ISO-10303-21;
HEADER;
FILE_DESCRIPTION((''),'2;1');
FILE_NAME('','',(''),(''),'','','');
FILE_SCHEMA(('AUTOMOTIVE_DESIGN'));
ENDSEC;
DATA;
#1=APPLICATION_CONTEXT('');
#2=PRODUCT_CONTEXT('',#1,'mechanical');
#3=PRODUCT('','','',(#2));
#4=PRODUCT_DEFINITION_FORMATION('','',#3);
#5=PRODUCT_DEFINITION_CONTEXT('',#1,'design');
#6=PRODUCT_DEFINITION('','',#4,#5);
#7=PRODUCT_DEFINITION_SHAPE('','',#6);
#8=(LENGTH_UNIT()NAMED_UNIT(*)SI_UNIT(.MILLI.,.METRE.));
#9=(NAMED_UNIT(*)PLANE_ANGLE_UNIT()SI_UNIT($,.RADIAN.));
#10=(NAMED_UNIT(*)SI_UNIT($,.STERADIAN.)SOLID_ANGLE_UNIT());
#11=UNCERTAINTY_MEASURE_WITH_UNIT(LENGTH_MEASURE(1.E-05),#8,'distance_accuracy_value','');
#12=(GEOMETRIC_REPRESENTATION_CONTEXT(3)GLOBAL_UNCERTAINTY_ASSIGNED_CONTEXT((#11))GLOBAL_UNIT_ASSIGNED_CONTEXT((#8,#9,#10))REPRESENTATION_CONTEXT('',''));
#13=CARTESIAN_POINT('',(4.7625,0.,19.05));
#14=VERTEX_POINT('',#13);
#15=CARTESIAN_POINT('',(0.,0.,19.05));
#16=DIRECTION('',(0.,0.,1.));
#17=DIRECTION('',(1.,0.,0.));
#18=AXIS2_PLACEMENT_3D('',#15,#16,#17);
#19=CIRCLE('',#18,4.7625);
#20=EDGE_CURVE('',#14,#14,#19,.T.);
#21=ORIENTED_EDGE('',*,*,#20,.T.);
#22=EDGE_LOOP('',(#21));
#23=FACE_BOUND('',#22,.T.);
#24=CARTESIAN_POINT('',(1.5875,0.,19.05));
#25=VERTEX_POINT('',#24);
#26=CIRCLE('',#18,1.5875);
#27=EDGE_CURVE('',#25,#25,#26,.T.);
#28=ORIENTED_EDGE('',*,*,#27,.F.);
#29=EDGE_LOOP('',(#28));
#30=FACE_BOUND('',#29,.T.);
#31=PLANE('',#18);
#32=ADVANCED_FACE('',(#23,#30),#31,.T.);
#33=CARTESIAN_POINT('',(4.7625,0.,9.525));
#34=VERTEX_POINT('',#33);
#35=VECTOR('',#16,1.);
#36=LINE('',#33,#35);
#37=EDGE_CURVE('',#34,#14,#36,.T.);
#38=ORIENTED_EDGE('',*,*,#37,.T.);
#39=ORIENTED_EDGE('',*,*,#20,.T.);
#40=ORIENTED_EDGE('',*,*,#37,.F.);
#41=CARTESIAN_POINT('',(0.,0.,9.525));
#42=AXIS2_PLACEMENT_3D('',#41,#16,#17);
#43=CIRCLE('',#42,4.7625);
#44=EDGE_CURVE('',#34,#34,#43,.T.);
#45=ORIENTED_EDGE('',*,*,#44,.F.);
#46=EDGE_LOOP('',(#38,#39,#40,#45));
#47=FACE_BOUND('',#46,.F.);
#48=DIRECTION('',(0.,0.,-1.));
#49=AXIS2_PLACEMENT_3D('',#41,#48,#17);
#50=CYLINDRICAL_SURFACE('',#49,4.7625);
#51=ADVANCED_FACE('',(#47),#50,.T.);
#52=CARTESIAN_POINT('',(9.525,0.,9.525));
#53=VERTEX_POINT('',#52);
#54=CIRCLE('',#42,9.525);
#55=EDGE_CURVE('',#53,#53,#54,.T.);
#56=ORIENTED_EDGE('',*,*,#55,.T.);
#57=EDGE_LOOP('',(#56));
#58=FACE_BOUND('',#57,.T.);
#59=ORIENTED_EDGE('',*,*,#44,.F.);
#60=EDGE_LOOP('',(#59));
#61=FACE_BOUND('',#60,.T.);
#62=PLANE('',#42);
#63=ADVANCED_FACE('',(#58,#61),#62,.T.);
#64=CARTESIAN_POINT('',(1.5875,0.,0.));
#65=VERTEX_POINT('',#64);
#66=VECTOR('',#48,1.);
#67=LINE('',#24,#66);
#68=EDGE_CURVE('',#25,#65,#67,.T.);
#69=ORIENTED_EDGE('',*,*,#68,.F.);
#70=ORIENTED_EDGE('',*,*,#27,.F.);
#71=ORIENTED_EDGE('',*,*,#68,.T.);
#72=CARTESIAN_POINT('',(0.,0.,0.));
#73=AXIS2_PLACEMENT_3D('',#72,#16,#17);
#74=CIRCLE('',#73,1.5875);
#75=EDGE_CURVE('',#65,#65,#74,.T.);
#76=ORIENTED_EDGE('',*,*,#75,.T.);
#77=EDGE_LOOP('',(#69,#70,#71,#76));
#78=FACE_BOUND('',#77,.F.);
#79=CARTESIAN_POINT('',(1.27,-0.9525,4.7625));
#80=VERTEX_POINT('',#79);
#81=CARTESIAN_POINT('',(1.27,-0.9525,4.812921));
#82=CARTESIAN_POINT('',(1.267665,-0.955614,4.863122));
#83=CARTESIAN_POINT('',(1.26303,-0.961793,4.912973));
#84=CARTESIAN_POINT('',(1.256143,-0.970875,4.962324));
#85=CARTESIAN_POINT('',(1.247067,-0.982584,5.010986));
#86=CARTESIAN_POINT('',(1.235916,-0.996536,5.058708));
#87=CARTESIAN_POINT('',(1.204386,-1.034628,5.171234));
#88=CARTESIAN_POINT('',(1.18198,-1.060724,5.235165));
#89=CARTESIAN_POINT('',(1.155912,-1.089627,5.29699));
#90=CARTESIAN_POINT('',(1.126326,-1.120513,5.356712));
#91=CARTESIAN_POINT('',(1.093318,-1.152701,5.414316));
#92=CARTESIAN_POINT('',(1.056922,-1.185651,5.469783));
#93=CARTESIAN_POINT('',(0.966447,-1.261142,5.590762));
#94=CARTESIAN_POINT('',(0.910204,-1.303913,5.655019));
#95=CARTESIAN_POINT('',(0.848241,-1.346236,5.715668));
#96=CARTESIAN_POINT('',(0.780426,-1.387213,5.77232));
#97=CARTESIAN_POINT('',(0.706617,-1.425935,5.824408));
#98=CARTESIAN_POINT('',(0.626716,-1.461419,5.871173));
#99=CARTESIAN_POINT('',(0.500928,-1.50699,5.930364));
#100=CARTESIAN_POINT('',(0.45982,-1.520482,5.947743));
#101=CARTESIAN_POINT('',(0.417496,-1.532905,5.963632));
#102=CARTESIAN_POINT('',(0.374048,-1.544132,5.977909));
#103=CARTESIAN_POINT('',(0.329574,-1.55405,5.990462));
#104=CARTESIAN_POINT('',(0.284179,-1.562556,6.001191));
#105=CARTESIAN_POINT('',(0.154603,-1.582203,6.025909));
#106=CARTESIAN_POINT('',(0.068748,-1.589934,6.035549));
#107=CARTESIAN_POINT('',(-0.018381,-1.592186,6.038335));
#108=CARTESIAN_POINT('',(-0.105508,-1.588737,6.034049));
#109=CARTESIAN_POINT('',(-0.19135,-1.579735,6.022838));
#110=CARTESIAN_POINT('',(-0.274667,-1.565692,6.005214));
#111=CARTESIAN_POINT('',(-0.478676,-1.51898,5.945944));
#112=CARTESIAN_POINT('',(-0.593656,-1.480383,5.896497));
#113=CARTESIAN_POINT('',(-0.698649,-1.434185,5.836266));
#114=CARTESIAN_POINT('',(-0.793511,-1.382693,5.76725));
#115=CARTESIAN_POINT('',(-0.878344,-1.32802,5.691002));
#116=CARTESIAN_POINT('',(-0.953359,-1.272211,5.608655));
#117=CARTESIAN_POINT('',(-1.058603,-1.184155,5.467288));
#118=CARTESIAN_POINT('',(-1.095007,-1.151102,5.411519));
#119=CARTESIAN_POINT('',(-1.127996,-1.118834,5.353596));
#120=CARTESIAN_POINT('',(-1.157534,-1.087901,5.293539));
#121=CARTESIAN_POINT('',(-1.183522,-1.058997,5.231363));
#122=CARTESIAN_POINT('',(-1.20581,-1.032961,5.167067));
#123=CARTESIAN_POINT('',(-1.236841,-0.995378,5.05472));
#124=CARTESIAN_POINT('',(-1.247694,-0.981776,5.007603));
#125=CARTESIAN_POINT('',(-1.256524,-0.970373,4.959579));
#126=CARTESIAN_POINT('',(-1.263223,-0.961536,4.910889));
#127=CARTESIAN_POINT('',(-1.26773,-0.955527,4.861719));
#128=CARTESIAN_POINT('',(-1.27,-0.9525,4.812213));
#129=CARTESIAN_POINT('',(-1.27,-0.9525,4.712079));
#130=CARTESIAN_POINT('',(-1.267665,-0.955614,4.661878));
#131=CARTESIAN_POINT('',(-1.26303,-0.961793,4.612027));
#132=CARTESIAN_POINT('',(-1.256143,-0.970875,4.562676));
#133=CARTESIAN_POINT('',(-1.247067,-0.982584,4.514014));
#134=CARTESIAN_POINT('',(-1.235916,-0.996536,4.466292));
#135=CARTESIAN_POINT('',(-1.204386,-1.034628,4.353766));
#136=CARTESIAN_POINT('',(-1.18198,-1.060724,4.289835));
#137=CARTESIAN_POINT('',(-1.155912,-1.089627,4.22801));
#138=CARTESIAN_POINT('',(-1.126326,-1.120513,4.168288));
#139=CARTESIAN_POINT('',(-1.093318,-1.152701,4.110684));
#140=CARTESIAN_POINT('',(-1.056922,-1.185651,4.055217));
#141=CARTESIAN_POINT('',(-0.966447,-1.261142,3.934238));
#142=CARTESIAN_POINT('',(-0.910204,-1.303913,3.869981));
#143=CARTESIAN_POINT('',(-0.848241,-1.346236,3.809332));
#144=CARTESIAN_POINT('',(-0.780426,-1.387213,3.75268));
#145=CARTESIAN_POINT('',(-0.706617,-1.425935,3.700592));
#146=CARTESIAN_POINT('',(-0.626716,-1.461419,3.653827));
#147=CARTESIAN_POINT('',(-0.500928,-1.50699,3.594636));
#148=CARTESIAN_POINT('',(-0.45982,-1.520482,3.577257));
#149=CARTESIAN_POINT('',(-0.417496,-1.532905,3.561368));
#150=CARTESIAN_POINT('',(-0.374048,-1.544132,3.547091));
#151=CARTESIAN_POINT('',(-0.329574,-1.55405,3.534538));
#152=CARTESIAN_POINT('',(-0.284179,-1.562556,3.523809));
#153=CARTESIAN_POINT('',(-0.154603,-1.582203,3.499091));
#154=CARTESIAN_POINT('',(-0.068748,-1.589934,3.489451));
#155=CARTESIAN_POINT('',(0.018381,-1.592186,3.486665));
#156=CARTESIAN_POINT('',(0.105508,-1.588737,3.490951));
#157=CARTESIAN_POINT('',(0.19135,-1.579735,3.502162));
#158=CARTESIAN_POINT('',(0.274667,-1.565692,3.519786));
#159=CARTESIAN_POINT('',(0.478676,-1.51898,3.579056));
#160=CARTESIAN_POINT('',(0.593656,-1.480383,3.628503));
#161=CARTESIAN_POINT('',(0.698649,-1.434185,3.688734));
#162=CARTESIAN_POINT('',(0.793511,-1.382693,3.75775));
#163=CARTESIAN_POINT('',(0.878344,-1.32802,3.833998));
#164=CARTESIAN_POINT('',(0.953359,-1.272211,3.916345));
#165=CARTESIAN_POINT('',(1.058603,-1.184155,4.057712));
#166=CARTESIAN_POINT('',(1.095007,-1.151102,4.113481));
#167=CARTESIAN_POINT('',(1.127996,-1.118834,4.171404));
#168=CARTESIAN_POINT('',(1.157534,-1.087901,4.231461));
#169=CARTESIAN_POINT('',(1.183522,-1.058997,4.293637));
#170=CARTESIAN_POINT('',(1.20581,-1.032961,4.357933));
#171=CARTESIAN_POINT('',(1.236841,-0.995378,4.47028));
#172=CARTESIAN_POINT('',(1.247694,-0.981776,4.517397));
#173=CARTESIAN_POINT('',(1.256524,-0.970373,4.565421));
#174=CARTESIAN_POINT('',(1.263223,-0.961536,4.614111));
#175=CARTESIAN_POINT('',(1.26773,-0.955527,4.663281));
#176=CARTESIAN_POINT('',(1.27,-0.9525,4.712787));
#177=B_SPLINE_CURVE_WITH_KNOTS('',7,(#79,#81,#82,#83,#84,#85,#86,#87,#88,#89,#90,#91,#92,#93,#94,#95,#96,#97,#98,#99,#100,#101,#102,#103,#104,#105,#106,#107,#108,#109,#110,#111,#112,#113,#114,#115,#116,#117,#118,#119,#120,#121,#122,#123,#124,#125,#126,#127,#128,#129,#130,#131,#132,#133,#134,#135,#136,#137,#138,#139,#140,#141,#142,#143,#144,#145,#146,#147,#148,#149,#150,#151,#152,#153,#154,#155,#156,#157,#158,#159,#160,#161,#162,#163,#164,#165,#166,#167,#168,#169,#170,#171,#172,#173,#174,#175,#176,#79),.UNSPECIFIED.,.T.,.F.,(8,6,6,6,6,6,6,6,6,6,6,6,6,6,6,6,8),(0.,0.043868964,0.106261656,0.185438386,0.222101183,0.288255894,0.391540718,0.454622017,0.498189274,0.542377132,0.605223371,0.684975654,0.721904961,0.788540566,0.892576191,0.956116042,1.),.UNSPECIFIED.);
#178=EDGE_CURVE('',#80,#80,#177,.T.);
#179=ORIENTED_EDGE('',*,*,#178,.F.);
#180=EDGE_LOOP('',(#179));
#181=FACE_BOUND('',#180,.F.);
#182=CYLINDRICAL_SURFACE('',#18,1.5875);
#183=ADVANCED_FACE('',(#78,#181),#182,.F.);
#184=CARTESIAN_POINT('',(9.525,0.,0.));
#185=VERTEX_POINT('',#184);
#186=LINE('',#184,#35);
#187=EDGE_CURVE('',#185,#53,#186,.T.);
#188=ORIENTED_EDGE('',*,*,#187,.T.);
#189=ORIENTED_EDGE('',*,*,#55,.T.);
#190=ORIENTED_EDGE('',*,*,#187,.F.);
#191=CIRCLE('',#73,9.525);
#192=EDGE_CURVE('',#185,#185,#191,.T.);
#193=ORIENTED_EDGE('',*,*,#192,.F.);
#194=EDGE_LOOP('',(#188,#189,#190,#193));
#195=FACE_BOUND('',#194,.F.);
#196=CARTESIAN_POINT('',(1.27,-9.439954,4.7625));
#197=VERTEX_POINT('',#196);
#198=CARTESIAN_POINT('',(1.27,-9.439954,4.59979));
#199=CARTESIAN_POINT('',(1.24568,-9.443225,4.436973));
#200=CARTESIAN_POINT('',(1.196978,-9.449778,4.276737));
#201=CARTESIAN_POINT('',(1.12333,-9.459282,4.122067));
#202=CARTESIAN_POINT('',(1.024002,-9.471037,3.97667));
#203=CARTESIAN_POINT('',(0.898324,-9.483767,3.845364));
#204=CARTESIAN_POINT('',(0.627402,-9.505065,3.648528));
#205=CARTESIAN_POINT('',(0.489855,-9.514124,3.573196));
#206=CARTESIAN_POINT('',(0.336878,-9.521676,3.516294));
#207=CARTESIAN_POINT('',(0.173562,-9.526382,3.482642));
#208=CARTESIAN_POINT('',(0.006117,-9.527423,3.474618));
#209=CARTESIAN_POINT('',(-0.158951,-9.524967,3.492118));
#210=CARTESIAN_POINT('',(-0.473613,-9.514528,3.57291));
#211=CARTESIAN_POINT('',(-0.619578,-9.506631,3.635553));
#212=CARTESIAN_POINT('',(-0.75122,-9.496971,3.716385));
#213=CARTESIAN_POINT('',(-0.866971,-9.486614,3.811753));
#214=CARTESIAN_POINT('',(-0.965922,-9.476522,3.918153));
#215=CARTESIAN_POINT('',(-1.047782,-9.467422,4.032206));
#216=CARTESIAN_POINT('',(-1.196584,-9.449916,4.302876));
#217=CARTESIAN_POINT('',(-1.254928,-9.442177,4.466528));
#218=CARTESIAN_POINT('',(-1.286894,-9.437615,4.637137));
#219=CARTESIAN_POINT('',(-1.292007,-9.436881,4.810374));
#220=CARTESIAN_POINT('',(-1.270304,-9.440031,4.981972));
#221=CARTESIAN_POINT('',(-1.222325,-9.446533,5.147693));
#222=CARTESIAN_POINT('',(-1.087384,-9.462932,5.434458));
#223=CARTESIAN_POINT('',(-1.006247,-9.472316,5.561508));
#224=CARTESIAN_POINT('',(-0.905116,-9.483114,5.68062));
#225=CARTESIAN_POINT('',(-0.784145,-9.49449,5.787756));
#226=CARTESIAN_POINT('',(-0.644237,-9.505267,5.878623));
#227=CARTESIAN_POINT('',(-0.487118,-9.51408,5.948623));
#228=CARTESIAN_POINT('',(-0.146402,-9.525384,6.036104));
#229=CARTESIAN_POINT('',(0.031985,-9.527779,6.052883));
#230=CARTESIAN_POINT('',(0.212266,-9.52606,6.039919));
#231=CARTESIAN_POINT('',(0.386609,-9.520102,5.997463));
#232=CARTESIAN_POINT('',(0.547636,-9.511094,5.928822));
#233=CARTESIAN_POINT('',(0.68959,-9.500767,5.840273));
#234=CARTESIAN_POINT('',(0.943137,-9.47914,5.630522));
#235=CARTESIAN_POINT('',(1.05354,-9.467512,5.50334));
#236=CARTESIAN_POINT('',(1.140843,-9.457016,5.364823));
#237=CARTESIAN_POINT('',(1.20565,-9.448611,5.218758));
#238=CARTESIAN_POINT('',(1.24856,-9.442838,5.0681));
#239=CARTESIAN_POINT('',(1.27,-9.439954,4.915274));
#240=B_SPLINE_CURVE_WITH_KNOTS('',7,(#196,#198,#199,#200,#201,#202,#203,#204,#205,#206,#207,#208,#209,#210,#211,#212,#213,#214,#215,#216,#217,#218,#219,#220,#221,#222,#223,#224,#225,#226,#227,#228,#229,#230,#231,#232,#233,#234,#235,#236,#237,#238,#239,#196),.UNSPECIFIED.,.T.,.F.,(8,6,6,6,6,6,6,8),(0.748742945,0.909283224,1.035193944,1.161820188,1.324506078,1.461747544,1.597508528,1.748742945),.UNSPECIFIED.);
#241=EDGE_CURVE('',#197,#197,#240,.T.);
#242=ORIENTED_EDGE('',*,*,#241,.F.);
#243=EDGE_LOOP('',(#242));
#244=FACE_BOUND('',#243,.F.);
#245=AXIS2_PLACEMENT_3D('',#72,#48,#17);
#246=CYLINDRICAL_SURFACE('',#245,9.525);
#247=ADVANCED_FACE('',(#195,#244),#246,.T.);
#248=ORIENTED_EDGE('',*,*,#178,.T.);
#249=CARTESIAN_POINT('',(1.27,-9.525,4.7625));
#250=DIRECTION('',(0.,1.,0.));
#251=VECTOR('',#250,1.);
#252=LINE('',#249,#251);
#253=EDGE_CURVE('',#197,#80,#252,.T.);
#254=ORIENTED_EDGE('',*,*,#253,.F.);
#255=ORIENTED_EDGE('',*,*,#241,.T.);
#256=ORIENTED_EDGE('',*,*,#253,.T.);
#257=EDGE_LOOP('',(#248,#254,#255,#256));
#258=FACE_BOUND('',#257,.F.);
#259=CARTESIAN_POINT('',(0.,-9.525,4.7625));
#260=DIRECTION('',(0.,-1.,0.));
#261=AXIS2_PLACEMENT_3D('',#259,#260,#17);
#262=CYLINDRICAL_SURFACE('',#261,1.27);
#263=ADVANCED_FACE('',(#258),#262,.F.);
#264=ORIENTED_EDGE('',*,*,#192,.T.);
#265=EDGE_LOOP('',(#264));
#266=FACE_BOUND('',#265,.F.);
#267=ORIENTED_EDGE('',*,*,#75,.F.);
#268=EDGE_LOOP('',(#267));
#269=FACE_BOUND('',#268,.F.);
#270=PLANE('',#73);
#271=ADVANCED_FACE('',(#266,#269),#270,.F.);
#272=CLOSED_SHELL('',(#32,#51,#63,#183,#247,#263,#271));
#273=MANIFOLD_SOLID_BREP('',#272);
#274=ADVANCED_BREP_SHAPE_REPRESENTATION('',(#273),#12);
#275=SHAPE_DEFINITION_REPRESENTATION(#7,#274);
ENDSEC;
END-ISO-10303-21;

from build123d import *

# Parameters (mm, degrees)
F0_R     = 9.525
F1_DEPTH = 9.525
F2_R     = 4.7625
F3_DEPTH = 9.525
F6_R     = 1.27
F7_DEPTH = 9.525
F4_R     = 1.5875
F8_DEPTH = 19.051


with BuildPart() as f1:
    # F0 (on Top) → F1 (new body)
    with BuildSketch(Plane.XY):
        Circle(F0_R)
    extrude(amount=F1_DEPTH)

    # F2 (on face) → F3 (join)
    with BuildSketch(Plane.XY.offset(9.525)):
        Circle(F2_R)
    extrude(amount=F3_DEPTH)

    # F6 (on offset) → F7 (cut)
    with BuildSketch(Plane.XZ.offset(9.525)):
        with Locations((0, 4.7625)):
            Circle(F6_R)
    extrude(amount=-F7_DEPTH, mode=Mode.SUBTRACT)

    # F4 (on face) → F8 (cut, through all)
    with BuildSketch(Plane.XY.offset(19.05)):
        Circle(F4_R)
    extrude(amount=-F8_DEPTH, mode=Mode.SUBTRACT)


solid = f1.part
